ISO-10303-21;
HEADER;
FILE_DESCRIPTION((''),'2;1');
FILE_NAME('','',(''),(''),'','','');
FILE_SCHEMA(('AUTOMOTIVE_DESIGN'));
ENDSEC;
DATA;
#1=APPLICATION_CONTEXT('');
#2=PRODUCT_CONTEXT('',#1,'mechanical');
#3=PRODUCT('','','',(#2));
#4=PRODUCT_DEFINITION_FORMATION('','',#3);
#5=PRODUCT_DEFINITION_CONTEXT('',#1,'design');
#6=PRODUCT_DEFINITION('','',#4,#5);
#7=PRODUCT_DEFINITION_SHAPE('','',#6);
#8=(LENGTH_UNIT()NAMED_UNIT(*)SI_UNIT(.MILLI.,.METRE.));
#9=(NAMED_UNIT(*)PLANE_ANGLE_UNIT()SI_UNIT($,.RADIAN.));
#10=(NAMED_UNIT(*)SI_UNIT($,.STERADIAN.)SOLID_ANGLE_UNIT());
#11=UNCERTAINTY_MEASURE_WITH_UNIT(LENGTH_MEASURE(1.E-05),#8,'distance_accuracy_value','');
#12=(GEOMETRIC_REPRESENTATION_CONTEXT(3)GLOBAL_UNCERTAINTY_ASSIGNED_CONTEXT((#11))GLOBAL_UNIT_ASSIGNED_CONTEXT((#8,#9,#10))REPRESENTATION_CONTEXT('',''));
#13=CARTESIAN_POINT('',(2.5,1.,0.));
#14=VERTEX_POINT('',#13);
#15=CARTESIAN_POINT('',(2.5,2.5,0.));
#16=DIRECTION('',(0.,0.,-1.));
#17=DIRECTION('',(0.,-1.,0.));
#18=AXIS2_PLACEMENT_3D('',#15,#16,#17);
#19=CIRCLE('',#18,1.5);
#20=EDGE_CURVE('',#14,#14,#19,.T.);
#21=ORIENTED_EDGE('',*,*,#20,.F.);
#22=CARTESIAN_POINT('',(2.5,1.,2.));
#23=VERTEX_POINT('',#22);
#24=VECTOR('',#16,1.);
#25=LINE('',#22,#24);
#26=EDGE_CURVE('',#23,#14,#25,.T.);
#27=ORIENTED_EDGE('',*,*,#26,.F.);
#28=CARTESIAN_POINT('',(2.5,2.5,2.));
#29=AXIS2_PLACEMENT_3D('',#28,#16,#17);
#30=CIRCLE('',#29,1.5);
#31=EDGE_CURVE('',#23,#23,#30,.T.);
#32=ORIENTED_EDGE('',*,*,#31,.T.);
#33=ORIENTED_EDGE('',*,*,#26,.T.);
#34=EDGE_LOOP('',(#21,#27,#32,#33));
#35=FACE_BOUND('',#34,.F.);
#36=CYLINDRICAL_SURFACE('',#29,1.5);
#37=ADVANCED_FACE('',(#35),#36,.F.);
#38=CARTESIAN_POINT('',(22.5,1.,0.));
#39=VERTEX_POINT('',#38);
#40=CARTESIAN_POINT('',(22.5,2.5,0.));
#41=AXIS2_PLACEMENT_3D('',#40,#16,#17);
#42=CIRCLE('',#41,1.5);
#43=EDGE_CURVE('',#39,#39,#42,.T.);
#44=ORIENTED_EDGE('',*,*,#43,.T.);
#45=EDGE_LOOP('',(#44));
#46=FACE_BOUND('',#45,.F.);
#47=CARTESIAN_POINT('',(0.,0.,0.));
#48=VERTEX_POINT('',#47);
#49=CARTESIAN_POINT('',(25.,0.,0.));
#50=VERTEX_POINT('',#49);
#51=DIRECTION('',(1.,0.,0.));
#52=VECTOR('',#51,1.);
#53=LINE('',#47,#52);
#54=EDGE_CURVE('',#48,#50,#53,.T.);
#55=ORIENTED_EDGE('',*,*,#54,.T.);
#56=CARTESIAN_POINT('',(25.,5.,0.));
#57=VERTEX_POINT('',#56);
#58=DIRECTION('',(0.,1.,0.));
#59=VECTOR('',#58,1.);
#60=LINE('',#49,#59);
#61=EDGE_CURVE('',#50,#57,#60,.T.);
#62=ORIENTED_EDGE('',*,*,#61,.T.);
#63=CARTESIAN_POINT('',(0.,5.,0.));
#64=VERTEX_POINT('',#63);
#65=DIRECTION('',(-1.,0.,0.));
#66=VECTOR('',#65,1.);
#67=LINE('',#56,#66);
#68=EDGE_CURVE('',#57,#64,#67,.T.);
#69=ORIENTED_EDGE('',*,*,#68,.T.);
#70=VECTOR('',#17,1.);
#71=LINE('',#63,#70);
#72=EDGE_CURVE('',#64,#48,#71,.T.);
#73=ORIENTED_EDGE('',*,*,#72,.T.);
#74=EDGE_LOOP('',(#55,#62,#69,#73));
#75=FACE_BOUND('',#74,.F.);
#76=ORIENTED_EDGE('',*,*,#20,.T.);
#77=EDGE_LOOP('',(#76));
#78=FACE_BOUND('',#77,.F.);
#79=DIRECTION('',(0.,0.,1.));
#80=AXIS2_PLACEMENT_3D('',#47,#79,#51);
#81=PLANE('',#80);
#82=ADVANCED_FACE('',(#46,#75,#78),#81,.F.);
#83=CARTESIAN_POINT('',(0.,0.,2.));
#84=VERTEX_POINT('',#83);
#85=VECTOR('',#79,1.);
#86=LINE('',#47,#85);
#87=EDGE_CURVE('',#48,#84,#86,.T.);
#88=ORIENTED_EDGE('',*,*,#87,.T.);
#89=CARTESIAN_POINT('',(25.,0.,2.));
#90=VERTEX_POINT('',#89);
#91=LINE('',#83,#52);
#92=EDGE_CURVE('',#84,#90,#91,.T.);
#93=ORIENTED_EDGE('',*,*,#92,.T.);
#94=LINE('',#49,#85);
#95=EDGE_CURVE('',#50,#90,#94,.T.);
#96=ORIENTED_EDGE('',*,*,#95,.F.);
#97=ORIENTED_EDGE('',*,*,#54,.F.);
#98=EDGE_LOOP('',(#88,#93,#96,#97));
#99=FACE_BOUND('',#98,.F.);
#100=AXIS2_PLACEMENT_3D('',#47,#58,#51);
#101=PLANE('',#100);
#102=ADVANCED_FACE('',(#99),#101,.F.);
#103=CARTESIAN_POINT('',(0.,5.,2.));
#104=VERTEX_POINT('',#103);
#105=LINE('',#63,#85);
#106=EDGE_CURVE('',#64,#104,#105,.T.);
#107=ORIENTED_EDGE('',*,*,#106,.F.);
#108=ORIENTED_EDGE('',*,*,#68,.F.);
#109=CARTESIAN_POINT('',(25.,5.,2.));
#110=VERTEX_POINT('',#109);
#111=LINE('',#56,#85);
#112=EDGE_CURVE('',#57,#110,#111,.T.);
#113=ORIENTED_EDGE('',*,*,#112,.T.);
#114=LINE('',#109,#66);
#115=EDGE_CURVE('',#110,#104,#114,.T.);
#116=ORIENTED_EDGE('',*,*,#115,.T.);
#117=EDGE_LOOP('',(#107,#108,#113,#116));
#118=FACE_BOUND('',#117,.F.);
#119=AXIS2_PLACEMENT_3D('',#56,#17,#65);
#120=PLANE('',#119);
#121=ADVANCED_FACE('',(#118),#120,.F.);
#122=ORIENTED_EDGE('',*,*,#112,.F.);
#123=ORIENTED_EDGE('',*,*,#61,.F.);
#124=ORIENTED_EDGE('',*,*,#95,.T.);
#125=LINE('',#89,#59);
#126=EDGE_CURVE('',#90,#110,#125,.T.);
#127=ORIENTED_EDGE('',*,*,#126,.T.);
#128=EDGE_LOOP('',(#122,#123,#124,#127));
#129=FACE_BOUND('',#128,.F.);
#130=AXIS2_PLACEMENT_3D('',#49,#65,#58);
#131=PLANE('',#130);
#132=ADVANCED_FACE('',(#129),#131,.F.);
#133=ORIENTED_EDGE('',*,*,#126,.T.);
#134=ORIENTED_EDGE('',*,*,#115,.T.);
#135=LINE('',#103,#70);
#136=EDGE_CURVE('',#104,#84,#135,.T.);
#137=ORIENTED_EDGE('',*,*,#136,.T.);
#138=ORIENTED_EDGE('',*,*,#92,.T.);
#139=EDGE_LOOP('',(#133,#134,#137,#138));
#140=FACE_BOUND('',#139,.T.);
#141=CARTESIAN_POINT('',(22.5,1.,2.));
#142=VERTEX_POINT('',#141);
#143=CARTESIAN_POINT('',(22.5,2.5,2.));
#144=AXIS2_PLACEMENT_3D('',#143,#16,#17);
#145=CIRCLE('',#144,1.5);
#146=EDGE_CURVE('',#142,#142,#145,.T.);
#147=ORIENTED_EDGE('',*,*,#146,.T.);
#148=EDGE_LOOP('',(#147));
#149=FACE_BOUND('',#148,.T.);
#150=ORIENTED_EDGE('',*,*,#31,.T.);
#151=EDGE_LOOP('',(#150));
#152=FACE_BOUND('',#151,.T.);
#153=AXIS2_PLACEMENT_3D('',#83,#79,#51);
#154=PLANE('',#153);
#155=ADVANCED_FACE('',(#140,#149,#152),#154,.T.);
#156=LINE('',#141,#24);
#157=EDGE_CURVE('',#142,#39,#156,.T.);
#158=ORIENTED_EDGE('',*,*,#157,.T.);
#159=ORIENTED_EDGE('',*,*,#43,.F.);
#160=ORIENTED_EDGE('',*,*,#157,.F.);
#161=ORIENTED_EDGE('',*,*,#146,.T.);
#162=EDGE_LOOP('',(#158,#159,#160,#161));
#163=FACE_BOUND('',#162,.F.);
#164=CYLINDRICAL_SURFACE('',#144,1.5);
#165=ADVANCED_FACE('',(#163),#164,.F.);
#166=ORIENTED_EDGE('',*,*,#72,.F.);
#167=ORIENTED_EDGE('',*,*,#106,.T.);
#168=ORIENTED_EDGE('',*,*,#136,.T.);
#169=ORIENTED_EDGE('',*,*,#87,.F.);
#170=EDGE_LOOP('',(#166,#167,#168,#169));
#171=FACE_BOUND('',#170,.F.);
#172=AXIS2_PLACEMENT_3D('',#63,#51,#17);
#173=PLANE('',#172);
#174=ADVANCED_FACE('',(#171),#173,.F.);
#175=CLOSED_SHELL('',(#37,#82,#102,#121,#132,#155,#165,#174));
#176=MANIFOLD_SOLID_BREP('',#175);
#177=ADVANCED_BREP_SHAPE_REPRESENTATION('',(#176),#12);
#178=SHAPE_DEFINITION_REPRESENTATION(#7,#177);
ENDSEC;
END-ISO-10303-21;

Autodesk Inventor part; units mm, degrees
ref_plane "YZ Plane" through (0, 0, 0) normal (1, 0, 0) x (0, 1, 0)
ref_plane "XZ Plane" through (0, 0, 0) normal (0, 1, 0) x (-1, 0, 0)
ref_plane "XY Plane" through (0, 0, 0) normal (0, 0, 1) x (1, 0, 0)
sketch "スケッチ1" plane through (0, 0, 0) normal (0, 0, 1) x (1, 0, 0)
  line L0 (0, 0) -> (25, 0)
  line L1 (25, 0) -> (25, 5)
  line L2 (25, 5) -> (0, 5)
  line L3 (0, 5) -> (0, 0)
  dimension "d0" = 25
  dimension "d1" = 5
extrude "押し出し1" add sketch "スケッチ1" along normal blind 2
sketch "スケッチ2" plane through (0, 0, 2) normal (0, 0, 1) x (1, 0, 0)
  line L0 (0, 5) -> (0, 0) projected
  line L1 (25, 0) -> (25, 5) projected
  point P0 (2.5, 2.5)
  point P1 (22.5, 2.5)
  dimension "d4" = 2.5
  dimension "d5" = 2.5
hole "穴1" at (2.5, 2.5, 2) at (22.5, 2.5, 2) direction (0, 0, -1) diameter 3 end through all
properties part number "短いの"
